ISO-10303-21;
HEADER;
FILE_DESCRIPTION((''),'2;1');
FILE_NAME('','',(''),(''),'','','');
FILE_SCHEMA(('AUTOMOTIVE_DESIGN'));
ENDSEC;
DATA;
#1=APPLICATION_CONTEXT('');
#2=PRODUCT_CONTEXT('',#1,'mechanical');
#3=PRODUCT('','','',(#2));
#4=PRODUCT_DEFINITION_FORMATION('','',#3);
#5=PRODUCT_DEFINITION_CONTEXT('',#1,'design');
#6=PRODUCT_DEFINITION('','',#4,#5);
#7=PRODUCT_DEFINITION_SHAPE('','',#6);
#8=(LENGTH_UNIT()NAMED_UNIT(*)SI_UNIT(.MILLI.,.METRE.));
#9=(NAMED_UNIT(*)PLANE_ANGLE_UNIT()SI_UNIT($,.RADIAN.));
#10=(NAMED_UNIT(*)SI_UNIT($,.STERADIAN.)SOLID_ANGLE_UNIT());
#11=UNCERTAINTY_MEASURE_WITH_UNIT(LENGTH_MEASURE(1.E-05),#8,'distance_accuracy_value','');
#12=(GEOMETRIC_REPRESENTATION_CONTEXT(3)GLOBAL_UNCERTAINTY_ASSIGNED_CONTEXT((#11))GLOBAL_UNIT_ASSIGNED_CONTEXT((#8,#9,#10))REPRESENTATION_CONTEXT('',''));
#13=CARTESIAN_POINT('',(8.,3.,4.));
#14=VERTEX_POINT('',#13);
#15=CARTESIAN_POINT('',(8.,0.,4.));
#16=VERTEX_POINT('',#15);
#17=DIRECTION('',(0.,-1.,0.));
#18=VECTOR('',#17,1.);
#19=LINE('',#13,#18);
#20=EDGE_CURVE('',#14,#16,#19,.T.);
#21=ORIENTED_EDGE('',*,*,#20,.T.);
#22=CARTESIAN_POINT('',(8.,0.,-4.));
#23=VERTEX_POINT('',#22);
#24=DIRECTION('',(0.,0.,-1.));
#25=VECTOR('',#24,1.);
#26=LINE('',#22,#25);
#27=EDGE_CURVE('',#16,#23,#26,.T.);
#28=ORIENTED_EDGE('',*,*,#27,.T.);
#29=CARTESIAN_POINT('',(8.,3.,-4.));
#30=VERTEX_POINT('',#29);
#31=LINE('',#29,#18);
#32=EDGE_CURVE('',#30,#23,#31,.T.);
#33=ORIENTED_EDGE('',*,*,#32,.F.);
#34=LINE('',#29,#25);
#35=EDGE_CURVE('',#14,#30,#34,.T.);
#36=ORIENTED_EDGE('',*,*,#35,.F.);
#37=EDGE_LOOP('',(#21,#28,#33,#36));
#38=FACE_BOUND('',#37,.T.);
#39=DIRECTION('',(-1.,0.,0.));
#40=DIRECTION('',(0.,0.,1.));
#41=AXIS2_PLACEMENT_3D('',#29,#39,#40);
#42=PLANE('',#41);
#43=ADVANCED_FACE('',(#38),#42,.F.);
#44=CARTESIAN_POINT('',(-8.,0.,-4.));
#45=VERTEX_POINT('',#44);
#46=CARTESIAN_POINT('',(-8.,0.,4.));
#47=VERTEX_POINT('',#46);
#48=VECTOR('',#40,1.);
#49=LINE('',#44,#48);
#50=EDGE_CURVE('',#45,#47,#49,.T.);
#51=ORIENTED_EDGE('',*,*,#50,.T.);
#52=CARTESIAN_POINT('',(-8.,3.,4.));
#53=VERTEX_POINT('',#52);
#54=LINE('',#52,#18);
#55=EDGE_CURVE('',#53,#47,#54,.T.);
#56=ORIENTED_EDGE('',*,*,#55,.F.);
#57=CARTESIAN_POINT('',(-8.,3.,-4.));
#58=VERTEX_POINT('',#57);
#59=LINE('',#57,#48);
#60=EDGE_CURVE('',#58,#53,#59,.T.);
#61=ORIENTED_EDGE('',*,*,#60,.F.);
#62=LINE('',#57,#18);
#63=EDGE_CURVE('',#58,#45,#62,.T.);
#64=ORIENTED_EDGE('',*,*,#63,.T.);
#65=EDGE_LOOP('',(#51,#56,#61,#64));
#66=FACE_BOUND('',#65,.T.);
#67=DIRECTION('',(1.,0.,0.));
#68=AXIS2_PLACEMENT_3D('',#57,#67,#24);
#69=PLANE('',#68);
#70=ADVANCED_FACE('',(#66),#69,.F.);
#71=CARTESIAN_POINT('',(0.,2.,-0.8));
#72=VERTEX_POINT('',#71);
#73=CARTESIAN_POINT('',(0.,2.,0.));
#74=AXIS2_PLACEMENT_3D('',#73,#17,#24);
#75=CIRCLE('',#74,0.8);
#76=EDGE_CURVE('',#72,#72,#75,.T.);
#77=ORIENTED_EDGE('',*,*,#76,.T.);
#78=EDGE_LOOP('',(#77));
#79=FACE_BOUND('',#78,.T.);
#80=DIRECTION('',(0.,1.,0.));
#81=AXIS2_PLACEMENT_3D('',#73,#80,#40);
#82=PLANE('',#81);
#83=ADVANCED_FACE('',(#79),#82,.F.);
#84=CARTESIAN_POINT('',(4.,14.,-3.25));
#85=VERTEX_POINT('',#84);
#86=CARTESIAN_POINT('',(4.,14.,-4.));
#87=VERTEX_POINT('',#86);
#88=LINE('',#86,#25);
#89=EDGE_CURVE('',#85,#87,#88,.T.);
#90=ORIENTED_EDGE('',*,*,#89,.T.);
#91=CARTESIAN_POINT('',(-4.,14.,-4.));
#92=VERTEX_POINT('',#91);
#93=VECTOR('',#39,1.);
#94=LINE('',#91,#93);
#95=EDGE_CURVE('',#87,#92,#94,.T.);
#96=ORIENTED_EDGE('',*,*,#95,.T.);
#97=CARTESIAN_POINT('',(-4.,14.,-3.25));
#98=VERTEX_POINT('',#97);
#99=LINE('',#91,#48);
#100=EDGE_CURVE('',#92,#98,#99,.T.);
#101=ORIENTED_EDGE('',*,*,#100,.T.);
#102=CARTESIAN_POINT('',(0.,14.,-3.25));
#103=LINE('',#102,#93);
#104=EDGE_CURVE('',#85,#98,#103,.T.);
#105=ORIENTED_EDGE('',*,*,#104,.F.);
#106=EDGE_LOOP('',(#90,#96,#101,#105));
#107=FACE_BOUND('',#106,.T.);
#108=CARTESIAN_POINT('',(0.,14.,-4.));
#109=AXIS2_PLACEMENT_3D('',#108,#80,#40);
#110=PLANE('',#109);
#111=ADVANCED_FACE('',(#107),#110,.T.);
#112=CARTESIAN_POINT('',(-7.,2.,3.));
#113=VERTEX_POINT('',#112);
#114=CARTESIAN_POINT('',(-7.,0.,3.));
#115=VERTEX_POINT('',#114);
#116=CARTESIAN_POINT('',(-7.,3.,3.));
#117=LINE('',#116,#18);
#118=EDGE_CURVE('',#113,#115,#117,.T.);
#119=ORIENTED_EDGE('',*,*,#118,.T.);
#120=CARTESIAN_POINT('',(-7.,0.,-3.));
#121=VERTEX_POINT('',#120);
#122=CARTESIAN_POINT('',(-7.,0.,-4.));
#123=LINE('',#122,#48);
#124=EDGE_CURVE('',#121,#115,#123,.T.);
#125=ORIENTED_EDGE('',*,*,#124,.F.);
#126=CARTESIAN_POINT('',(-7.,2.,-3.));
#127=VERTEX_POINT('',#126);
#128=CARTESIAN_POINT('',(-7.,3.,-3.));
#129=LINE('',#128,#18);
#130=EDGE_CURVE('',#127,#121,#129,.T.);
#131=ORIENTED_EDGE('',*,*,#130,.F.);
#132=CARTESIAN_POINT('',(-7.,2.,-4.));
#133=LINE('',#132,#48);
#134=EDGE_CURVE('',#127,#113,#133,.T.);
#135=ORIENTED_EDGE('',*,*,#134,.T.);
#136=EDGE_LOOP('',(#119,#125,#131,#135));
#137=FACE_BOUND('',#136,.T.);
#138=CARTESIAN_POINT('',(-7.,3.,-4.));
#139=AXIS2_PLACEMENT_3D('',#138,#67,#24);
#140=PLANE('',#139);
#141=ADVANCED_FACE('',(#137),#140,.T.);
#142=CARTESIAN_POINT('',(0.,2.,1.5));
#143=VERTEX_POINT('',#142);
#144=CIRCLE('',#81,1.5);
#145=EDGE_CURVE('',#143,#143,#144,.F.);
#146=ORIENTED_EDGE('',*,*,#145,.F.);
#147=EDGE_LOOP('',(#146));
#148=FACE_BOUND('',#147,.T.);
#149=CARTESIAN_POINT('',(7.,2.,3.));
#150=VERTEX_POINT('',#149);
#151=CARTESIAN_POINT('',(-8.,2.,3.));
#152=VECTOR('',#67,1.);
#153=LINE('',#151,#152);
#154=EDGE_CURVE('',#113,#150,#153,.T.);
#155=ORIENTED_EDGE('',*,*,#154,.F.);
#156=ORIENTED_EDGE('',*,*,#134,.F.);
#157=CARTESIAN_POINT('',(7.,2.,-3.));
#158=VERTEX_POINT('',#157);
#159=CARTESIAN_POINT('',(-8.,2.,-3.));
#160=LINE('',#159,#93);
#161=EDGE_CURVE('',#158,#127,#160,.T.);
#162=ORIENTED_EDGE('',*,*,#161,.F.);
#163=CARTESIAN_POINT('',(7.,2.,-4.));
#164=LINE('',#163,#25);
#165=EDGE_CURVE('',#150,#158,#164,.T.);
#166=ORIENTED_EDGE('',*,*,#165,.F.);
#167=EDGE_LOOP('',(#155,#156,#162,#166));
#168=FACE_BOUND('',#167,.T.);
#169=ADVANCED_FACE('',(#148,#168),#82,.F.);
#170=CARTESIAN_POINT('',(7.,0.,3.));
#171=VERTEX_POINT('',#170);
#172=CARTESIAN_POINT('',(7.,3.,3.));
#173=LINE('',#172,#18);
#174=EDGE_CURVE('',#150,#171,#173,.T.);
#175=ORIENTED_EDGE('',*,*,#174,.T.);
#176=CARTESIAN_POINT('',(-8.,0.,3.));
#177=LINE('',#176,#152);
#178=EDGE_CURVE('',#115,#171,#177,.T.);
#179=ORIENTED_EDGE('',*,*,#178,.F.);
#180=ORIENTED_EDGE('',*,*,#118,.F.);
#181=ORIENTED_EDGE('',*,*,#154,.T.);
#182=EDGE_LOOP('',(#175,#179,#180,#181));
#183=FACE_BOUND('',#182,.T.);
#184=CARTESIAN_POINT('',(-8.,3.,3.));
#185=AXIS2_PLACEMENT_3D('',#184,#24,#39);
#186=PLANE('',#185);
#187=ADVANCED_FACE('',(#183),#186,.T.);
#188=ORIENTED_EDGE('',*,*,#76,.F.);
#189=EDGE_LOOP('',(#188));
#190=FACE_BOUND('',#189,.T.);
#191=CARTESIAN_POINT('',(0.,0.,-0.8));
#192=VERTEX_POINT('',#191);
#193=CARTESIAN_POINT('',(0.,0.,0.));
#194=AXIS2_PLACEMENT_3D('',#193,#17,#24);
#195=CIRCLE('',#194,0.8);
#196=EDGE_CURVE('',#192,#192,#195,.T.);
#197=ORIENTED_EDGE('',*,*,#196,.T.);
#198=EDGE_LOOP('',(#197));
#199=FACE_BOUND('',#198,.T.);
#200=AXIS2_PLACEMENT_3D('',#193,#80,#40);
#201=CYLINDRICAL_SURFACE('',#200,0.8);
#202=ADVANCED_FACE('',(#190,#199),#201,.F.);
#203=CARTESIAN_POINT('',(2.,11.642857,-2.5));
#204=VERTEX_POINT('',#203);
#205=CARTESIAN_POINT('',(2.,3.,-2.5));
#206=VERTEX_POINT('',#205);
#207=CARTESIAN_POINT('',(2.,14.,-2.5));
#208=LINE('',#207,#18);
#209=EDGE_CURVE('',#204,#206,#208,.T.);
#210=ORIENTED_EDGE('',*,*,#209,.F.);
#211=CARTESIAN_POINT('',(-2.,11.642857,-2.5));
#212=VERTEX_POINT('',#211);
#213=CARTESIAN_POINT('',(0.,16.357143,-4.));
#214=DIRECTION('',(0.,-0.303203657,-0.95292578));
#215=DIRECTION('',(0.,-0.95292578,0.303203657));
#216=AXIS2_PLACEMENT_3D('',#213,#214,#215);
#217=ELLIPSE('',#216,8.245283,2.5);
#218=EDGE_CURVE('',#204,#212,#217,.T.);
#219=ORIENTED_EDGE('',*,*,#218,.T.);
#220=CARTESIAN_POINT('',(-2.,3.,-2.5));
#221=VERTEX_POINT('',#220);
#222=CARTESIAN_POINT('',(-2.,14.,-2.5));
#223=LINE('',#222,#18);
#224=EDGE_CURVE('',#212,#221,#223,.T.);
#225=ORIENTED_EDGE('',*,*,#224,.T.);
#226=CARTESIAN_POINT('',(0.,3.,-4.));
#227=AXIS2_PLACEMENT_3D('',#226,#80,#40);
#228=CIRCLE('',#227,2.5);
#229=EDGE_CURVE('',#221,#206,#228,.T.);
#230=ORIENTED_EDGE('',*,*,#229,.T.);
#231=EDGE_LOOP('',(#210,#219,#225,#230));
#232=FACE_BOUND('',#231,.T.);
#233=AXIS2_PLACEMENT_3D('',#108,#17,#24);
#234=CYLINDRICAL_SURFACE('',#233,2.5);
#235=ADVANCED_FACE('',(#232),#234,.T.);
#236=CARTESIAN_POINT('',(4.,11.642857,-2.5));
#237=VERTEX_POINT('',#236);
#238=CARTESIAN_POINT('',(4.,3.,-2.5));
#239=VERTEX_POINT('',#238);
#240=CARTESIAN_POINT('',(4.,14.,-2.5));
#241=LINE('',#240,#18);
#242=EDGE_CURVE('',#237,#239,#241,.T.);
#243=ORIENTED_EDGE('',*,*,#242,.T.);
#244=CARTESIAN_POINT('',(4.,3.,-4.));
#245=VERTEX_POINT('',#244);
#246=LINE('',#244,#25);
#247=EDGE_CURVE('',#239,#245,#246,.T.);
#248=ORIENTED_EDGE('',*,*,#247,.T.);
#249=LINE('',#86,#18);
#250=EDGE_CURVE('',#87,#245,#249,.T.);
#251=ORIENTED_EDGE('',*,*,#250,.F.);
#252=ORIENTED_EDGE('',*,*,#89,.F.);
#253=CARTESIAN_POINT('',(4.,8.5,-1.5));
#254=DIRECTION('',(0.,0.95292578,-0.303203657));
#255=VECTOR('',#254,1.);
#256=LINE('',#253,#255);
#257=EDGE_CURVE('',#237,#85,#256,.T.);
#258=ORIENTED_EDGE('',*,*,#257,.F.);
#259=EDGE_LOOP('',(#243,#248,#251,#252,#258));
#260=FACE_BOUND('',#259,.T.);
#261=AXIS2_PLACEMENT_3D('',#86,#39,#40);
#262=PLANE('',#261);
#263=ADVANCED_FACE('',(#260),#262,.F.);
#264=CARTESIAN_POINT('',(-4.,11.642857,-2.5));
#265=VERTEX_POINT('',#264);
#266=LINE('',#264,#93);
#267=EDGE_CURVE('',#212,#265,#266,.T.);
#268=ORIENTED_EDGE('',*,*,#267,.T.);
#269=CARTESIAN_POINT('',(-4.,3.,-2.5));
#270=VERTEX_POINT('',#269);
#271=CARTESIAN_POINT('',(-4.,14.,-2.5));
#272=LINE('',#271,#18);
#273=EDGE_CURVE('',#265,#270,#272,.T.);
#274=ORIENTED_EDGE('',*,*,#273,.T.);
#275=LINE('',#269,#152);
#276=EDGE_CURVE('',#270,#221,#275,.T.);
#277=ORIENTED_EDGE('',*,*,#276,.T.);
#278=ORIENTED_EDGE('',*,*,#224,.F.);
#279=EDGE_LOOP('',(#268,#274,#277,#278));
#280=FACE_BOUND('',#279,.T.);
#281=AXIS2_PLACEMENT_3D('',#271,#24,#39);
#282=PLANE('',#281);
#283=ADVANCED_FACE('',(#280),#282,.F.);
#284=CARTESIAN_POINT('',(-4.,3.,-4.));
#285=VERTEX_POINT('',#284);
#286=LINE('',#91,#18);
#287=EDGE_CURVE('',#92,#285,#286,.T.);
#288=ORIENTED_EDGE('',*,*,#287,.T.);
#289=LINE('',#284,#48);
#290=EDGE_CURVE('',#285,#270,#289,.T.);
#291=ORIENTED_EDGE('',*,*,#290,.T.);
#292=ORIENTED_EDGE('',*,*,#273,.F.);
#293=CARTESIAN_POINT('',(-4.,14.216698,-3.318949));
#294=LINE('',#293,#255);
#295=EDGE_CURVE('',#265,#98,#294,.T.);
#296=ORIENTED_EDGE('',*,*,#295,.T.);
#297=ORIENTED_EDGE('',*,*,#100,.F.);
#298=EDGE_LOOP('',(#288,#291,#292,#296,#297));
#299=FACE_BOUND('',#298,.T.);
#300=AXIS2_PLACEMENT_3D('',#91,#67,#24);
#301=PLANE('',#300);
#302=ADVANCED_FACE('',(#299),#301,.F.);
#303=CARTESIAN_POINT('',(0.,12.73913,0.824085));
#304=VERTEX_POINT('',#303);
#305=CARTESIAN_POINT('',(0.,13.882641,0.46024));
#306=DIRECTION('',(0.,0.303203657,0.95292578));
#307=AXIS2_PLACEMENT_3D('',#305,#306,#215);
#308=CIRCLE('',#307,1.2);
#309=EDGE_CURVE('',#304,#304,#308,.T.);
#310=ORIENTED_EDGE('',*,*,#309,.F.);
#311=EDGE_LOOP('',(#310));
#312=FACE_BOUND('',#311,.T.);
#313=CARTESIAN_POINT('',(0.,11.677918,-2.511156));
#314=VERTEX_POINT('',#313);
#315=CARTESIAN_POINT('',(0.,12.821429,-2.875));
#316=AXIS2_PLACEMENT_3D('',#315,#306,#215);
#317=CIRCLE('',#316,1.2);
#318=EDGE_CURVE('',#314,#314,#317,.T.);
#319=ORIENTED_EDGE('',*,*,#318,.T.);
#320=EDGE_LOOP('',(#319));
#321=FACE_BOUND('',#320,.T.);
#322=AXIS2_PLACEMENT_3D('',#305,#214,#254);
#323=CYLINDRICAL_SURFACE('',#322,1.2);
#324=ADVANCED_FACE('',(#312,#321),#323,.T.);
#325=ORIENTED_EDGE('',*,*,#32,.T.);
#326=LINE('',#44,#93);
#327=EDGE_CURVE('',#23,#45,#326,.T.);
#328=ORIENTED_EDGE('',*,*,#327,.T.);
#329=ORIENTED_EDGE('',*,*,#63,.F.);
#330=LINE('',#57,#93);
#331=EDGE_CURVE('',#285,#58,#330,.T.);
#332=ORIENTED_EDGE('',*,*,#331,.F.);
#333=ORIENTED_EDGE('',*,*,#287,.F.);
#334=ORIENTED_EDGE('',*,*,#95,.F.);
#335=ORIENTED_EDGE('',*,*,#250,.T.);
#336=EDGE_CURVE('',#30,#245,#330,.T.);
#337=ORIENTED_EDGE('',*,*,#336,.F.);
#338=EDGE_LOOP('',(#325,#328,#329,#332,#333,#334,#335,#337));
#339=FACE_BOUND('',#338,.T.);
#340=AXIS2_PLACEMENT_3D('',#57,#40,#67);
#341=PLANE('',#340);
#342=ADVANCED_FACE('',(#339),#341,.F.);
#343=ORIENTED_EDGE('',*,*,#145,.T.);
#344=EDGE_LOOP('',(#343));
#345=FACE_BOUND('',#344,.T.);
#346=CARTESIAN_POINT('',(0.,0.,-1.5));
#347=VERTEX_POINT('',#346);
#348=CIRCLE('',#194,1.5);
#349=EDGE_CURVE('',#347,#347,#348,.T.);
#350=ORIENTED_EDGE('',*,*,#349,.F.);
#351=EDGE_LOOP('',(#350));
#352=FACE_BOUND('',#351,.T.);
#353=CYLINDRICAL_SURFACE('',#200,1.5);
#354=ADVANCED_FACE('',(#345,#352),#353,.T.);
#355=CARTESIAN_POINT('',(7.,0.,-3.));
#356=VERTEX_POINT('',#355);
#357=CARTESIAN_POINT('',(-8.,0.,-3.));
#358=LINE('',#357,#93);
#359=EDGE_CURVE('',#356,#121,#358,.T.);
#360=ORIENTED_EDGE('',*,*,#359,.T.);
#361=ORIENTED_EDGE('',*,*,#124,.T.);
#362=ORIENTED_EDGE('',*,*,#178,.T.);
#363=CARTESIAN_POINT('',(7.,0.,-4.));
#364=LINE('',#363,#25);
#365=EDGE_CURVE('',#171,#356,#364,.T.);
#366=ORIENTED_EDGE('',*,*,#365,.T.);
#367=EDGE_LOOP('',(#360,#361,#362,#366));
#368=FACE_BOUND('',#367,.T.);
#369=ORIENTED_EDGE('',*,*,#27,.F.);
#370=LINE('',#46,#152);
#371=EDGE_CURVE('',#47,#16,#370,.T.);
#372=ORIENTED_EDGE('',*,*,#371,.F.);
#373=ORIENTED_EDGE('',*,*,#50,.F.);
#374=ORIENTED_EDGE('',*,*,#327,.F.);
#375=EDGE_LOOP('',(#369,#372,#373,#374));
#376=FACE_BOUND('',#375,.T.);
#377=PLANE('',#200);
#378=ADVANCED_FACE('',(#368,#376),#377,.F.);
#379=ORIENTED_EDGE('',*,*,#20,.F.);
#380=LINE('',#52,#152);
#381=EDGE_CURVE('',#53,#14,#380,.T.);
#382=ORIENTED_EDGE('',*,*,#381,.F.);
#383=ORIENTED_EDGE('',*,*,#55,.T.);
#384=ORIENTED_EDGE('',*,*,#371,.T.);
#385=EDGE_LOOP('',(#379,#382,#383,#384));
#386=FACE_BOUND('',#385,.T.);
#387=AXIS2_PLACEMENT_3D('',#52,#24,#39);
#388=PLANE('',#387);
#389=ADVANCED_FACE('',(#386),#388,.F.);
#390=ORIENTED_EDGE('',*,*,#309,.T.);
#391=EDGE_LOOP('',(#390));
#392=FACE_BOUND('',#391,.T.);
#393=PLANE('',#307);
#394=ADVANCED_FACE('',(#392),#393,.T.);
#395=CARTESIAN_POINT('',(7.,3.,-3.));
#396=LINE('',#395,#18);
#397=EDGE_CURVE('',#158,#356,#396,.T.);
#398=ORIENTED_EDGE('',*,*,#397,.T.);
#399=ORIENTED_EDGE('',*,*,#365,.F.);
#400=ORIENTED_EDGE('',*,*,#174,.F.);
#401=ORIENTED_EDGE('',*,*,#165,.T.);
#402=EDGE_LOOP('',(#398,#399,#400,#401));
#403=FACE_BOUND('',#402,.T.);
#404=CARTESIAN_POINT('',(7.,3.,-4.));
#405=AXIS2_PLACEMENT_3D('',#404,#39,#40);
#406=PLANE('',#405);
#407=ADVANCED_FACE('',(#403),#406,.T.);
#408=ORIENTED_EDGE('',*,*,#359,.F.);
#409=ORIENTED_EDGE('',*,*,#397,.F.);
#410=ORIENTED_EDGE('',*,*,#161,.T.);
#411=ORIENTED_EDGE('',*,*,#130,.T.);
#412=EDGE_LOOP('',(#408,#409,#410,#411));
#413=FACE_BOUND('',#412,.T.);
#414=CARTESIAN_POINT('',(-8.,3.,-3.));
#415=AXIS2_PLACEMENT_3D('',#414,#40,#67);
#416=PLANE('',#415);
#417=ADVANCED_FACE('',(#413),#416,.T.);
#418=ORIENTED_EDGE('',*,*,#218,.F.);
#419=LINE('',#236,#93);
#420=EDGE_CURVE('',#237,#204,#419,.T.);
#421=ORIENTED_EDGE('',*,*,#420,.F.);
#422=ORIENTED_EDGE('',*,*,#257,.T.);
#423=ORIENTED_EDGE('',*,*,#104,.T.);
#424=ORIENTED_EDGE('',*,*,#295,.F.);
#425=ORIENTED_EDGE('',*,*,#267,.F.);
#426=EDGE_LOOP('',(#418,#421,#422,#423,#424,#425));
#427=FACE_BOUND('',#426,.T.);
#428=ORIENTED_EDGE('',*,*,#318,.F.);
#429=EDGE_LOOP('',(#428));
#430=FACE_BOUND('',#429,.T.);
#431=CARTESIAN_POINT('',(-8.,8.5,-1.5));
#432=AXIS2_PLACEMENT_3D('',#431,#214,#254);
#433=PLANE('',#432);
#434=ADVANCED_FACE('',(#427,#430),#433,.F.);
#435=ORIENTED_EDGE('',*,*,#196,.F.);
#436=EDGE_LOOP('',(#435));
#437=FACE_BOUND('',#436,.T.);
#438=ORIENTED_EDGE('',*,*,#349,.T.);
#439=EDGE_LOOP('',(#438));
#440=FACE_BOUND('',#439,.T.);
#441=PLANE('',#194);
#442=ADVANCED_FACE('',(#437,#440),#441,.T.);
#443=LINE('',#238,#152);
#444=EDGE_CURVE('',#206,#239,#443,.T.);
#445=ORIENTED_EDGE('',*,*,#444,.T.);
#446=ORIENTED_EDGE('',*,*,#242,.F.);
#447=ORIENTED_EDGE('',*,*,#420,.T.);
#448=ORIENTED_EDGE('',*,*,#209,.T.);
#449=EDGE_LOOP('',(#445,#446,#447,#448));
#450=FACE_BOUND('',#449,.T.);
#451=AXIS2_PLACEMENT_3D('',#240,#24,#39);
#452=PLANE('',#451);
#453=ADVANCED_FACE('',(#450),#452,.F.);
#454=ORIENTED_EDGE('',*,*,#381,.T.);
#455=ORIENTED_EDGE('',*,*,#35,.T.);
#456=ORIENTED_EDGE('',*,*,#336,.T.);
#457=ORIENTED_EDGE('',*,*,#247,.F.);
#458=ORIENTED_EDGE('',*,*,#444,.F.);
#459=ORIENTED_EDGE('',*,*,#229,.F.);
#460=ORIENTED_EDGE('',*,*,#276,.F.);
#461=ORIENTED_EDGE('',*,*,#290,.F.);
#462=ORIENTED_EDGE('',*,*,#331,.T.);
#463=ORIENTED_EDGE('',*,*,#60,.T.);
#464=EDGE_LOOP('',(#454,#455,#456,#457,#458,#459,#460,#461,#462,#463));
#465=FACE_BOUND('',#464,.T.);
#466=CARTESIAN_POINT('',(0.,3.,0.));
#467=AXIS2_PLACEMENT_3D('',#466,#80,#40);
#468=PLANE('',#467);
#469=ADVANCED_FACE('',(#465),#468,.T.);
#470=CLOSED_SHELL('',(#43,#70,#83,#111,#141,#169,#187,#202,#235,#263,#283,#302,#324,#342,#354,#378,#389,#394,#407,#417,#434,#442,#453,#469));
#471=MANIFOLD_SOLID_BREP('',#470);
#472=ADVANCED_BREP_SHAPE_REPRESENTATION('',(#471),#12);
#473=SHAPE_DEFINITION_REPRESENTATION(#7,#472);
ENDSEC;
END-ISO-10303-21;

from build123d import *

# Parameters (mm, degrees)
SKETCH1_W           = 16
SKETCH1_H           = 8
BOSS_EXTRUDE1_DEPTH = 3
SHELL1_T            = -1
SKETCH2_R           = 1.5
SKETCH2_R_2         = 0.8
BOSS_EXTRUDE2_DEPTH = 2
BOSS_EXTRUDE3_DEPTH = 11
CUT_EXTRUDE2_DEPTH  = 13
SKETCH6_R           = 1.2
BOSS_EXTRUDE4_DEPTH = 3.5


with BuildPart() as part:
    # Sketch1 → Boss-Extrude1 (new body)
    with BuildSketch(Plane(origin=(0, 0, 0), x_dir=(1, 0, 0), z_dir=(0, 1, 0))):
        Rectangle(SKETCH1_W, SKETCH1_H)
    extrude(amount=BOSS_EXTRUDE1_DEPTH)

    # Shell1
    shell1_openings = [part.faces().sort_by_distance(p)[0] for p in [
        (0, 0, 0),
    ]]
    offset(amount=SHELL1_T, openings=shell1_openings, kind=Kind.INTERSECTION)

    # Sketch2 → Boss-Extrude2 (add)
    with BuildSketch(Plane.XZ.offset(-2)):
        Circle(SKETCH2_R)
        Circle(SKETCH2_R_2, mode=Mode.SUBTRACT)
    extrude(amount=BOSS_EXTRUDE2_DEPTH)

    # Sketch3 → Boss-Extrude3 (add)
    with BuildSketch(Plane(origin=(0, 3, 0), x_dir=(1, 0, 0), z_dir=(0, 1, 0))):
        with BuildLine():
            Line((-4, 4), (4, 4))
            Line((4, 4), (4, 2.5))
            Line((4, 2.5), (2, 2.5))
            ThreePointArc((2, 2.5), (0, 1.5), (-2, 2.5))
            Line((-2, 2.5), (-4, 2.5))
            Line((-4, 2.5), (-4, 4))
        make_face()
    extrude(amount=BOSS_EXTRUDE3_DEPTH)

    # Sketch5 → Cut-Extrude2 (cut, through all)
    with BuildSketch(Plane(origin=(4, 0, 0), x_dir=(0, 0, -1), z_dir=(1, 0, 0))):
        Polygon((3.25, 14), (1.5, 14), (1.5, 8.5), align=None)
    extrude(amount=-CUT_EXTRUDE2_DEPTH, mode=Mode.SUBTRACT)

    # Sketch6 → Boss-Extrude4 (add)
    with BuildSketch(Plane(origin=(0, 0.348030019, 1.09380863), x_dir=(1, 0, 0), z_dir=(0, 0.303203657, 0.95292578))):
        with Locations((0, 13.089580337)):
            Circle(SKETCH6_R)
    extrude(amount=BOSS_EXTRUDE4_DEPTH)


solid = part.part
